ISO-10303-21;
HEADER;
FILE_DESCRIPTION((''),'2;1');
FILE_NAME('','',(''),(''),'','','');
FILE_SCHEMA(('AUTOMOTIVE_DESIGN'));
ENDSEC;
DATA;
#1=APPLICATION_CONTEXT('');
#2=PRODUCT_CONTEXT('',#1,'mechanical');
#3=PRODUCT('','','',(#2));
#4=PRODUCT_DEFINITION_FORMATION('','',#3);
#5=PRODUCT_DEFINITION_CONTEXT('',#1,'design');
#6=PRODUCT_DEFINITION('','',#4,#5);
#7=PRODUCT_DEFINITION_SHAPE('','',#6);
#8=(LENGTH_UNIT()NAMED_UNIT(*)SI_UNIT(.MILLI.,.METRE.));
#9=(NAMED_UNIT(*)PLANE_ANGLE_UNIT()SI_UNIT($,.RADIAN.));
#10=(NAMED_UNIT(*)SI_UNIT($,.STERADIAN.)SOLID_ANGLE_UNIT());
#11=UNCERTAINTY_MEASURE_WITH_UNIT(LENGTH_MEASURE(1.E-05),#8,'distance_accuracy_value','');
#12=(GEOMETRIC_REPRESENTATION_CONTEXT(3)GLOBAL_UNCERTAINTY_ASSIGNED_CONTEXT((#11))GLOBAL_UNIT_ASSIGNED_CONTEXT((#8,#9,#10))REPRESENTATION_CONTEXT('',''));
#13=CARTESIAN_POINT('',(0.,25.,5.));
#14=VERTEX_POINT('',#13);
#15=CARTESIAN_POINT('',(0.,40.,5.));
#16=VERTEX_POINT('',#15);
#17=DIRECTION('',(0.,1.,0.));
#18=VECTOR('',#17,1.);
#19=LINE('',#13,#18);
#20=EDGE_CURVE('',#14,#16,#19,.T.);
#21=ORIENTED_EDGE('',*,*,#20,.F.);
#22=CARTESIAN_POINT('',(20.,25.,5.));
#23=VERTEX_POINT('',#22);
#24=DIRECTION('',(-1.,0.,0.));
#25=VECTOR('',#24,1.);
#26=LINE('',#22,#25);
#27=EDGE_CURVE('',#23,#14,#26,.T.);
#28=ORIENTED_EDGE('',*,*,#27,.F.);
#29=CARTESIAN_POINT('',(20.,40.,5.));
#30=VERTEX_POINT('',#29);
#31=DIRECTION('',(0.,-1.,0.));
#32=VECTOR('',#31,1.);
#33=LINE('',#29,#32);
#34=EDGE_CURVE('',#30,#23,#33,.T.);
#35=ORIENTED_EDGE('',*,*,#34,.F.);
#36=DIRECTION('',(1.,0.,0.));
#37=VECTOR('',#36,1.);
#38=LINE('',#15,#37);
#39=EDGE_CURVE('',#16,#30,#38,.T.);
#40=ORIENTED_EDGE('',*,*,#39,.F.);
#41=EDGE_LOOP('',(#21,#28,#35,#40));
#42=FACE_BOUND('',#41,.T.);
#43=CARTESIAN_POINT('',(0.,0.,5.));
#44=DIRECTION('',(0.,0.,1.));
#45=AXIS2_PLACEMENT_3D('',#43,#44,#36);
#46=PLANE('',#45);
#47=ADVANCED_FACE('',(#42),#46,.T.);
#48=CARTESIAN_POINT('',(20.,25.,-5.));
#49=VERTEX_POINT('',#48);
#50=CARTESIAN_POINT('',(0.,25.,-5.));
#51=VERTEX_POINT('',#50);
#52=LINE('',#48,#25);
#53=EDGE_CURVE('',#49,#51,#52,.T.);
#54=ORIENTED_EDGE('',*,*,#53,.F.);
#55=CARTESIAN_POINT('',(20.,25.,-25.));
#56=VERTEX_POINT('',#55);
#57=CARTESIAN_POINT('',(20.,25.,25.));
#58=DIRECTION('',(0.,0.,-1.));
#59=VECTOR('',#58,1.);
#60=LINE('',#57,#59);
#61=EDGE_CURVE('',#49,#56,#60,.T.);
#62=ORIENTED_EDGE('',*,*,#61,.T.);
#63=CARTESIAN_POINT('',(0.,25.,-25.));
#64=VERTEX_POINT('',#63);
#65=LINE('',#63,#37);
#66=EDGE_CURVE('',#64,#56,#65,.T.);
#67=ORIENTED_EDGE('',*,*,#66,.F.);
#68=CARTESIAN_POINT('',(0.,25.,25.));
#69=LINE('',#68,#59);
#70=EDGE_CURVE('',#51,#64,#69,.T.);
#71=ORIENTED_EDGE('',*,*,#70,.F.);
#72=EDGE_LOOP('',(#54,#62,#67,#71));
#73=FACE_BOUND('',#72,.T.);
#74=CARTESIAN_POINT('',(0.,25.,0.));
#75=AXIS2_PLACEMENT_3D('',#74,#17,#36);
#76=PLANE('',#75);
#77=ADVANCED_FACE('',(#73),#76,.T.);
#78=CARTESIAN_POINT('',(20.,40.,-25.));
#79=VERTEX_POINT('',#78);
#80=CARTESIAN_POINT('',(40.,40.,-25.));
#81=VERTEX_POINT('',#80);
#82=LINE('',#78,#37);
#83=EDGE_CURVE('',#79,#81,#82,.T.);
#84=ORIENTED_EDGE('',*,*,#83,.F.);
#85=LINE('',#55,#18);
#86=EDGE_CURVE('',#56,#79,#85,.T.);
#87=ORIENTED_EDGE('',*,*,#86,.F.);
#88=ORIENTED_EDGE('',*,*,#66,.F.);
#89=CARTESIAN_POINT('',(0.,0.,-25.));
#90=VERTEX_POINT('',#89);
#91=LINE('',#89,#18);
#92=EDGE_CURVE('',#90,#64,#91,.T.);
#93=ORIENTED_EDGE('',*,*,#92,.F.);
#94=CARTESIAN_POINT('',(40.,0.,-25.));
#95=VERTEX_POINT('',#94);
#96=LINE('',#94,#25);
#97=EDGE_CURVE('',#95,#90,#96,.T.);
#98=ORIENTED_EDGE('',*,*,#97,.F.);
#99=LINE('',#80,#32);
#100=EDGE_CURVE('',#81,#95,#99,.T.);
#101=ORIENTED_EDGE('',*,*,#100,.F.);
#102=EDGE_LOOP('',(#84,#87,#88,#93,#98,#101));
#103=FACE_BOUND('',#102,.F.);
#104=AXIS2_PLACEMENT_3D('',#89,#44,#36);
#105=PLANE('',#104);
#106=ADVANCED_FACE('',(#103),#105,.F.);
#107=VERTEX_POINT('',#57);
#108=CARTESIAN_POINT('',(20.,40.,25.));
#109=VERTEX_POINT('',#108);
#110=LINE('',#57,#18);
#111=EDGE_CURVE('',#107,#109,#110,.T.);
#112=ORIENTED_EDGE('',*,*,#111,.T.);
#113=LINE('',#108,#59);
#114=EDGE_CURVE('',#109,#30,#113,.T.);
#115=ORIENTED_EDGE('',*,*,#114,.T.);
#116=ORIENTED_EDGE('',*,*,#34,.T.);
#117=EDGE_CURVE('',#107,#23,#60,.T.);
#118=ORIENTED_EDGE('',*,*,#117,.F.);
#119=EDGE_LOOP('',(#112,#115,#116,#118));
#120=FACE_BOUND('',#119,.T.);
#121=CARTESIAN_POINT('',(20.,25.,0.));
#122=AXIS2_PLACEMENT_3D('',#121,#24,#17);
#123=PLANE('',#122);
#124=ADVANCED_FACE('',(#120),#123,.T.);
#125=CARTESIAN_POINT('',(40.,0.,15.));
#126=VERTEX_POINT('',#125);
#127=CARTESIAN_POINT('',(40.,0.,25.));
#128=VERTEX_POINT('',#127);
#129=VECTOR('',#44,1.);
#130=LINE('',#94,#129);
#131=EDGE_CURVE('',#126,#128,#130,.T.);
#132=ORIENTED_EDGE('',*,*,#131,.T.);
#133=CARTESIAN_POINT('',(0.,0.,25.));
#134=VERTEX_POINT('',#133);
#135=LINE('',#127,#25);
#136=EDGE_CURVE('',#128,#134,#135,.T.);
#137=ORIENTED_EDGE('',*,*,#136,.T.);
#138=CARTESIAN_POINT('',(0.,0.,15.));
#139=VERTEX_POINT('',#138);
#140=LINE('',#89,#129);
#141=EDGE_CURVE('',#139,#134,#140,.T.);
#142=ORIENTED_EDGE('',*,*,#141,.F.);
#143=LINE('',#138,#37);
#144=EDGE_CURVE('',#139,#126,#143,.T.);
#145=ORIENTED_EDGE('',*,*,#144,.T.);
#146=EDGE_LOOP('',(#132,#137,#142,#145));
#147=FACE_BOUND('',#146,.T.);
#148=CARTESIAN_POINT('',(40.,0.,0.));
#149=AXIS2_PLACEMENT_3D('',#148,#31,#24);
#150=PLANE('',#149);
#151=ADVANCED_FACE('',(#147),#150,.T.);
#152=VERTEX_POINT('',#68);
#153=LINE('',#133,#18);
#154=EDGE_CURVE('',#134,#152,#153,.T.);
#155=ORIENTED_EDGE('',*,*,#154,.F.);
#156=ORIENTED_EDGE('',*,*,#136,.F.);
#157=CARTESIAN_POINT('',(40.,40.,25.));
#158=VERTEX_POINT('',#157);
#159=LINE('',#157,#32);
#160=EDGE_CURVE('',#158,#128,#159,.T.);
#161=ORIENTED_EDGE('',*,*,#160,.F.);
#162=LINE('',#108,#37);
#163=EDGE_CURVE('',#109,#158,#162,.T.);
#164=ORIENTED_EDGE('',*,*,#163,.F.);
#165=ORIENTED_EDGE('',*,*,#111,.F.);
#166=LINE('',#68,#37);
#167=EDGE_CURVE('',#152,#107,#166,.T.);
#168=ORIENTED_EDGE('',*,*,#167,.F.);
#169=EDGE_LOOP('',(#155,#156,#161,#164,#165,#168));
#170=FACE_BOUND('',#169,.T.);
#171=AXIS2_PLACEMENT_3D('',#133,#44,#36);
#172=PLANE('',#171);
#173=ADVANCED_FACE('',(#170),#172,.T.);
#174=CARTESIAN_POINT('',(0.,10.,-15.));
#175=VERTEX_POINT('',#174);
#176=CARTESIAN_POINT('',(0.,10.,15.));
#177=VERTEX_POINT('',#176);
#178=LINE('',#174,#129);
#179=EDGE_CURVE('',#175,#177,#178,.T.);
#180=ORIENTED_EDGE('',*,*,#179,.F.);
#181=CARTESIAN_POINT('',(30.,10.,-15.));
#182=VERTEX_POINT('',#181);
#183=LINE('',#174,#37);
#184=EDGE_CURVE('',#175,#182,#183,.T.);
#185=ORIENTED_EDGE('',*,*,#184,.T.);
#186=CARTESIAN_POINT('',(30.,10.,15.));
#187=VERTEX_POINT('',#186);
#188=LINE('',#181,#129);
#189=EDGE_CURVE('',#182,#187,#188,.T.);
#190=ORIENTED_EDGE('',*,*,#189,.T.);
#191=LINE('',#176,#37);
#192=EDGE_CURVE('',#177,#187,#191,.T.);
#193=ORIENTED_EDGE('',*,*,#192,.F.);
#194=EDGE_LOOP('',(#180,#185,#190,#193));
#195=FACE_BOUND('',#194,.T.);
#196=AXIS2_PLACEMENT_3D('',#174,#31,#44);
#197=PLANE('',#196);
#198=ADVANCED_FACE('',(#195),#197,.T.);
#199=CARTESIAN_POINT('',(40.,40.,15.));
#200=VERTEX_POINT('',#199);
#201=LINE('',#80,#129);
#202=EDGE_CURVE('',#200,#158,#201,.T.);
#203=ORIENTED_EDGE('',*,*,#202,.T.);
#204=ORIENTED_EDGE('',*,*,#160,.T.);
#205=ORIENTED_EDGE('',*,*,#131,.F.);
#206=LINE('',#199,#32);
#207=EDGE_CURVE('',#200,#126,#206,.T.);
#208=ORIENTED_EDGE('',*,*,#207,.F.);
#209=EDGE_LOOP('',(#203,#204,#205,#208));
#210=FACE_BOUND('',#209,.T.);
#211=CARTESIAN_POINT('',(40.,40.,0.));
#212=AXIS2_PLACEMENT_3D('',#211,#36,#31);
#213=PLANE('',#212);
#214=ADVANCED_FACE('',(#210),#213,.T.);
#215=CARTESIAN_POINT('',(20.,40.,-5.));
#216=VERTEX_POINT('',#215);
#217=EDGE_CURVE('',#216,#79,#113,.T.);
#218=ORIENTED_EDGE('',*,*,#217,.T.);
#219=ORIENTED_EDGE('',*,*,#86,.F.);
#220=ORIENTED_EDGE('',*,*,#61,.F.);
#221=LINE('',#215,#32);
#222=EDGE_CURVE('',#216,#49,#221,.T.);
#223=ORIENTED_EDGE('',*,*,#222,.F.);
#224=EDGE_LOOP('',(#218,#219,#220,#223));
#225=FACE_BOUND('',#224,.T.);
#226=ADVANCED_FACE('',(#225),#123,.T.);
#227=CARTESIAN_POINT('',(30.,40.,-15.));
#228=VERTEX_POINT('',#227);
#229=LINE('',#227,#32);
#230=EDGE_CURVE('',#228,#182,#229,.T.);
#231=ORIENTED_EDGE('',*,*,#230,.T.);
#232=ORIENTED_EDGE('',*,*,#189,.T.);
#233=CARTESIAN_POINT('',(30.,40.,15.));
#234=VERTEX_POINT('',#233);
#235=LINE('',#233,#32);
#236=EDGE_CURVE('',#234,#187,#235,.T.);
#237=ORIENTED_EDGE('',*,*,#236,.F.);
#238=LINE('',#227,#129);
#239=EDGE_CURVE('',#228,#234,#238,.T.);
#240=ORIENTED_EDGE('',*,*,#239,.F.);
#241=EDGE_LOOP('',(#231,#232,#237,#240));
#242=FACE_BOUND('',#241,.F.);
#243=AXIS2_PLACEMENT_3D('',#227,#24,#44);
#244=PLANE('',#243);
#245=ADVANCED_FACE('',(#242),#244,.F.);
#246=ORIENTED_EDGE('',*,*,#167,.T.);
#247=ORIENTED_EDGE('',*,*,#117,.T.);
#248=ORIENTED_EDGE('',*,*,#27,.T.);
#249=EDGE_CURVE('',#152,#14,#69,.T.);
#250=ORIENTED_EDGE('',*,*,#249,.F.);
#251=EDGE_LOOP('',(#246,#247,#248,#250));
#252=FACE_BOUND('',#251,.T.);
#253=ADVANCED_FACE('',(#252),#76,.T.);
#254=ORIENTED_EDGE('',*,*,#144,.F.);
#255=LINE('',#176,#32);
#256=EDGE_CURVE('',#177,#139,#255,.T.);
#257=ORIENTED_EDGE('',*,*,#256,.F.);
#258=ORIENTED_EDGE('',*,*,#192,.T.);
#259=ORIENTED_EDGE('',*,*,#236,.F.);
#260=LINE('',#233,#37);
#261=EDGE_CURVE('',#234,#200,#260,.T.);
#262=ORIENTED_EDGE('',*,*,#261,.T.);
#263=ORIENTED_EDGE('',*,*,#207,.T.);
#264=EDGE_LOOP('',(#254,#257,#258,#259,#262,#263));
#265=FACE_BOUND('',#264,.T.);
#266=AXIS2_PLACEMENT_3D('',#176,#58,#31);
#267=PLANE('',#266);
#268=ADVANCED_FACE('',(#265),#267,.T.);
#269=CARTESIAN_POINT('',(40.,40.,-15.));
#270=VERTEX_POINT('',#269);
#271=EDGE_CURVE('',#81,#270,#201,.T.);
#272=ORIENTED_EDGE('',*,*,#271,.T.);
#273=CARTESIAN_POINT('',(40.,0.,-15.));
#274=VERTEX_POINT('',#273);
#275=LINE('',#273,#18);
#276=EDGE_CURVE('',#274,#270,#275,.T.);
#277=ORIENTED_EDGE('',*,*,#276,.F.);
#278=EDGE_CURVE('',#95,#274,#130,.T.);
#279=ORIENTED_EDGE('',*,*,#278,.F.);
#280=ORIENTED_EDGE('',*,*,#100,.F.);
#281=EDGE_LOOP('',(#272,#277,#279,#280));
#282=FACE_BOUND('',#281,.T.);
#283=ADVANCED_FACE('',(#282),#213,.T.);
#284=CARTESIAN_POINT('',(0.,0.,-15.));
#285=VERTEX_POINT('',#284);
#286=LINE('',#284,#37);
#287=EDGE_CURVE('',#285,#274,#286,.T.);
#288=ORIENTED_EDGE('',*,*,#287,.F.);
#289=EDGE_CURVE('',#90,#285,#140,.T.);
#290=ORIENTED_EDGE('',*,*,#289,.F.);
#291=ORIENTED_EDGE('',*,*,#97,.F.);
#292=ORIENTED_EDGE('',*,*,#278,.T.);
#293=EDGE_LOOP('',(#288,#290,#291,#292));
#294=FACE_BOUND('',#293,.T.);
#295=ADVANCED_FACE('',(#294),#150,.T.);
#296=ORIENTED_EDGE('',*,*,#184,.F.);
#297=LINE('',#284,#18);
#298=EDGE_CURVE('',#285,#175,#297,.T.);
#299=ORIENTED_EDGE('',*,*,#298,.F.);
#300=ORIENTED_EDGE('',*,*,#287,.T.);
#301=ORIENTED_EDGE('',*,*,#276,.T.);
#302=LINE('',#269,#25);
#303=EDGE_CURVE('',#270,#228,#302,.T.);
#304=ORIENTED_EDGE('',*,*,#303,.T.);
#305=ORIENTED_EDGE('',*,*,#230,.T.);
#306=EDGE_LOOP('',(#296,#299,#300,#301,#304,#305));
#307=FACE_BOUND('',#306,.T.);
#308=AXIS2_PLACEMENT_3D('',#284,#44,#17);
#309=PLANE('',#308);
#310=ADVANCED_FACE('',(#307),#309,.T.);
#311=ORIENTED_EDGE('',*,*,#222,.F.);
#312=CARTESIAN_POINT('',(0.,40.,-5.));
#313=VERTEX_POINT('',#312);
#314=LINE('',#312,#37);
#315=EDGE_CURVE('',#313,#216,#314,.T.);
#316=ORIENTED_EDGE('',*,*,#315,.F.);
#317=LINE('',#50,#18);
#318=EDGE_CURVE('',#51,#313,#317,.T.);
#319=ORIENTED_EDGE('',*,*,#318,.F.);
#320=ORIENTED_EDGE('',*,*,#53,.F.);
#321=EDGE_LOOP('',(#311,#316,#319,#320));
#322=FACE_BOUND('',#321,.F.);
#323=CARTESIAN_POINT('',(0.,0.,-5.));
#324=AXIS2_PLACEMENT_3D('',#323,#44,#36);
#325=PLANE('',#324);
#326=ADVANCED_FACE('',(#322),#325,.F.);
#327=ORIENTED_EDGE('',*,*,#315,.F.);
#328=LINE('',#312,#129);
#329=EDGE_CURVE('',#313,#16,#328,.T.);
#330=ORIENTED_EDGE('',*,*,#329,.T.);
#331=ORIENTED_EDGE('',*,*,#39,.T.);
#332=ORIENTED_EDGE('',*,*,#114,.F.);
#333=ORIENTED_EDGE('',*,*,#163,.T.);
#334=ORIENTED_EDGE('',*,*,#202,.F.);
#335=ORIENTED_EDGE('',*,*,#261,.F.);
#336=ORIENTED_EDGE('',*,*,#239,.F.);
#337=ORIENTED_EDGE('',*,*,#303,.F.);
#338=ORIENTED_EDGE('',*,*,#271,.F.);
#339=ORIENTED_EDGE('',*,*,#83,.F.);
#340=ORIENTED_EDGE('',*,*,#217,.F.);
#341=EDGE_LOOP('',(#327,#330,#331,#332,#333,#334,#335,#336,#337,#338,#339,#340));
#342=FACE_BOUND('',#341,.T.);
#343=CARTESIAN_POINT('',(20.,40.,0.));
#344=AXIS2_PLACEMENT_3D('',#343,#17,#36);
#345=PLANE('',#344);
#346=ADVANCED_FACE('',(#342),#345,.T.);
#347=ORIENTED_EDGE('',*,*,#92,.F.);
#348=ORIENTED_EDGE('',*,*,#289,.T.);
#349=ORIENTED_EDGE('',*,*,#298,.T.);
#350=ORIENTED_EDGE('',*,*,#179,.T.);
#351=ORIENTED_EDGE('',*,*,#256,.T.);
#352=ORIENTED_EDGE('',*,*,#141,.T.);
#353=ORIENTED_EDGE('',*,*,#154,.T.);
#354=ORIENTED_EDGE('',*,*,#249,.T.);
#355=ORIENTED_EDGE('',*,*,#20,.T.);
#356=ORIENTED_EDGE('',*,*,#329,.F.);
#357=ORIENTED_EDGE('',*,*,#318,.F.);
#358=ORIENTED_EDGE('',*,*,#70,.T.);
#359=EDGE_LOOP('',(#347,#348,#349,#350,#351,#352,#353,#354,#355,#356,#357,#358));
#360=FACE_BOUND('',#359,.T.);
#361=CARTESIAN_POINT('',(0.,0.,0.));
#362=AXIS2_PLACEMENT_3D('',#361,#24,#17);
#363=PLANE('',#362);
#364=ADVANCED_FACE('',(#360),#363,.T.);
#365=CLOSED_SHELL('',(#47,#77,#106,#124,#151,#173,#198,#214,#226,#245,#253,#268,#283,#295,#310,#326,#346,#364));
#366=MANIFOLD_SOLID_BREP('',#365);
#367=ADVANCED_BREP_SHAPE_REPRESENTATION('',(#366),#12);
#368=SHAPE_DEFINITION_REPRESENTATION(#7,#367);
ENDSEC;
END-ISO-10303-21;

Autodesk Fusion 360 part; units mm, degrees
sketch "Sketch1" plane through (0, 0, 0) normal (0, 0, 1) x (1, 0, 0)
  line L0 (0, 0) -> (0, 25)
  line L1 (0, 25) -> (20, 25)
  line L2 (20, 25) -> (20, 40)
  line L3 (20, 40) -> (40, 40)
  line L4 (40, 40) -> (40, 0)
  line L5 (40, 0) -> (0, 0)
  dimension "d1" = 40
  dimension "d2" = 25
  dimension "d3" = 20
  dimension "d4" = 15
extrude "Extrude1" add sketch "Sketch1" along normal mid plane 50
sketch "Sketch2" plane through (0, 0, 0) normal (0, 0, 1) x (1, 0, 0)
  line L0 (0, 40) -> (20, 40)
  line L1 (20, 40) -> (20, 25)
  line L2 (20, 25) -> (0, 25)
  line L3 (0, 25) -> (0, 40)
  point P0 (20, 25)
  point P1 (0, 25)
  dimension "d7" = 20
  dimension "d8" = 15
extrude "Extrude2" add sketch "Sketch2" along normal mid plane 10
sketch "Sketch3" plane through (0, 40, 0) normal (0, 1, 0) x (-1, 0, 0)
  line L0 (-20, -25) -> (-20, -5)
  line L1 (-20, -5) -> (0, -5)
  line L2 (0, -5) -> (0, 5)
  line L3 (0, 5) -> (-20, 5)
  line L4 (-20, 5) -> (-20, 25)
  line L5 (-20, 25) -> (-40, 25)
  line L6 (-40, 25) -> (-40, -25)
  line L7 (-40, -25) -> (-20, -25)
  line L8 (-40, -15) -> (-30, -15)
  line L9 (-30, -15) -> (-30, 15)
  line L10 (-30, 15) -> (-40, 15)
  line L11 (-40, 15) -> (-40, -15)
  dimension "d11" = 10
  dimension "d12" = 10
  dimension "d13" = 30
  dimension "d14" = 10
extrude "Extrude3" cut sketch "Sketch3" against normal blind 85 contours L6 L8 L9 L10 L11
sketch "Sketch4" plane through (0, 0, 0) normal (1, 0, 0) x (0, 0, -1)
  line L0 (15, 0) -> (15, 10)
  line L1 (15, 10) -> (-15, 10)
  line L2 (-15, 10) -> (-15, 0)
  line L3 (25, 0) -> (-25, 0)
  dimension "d17" = 10
  dimension "d18" = 10
  dimension "d19" = 10
  dimension "d20" = 30
extrude "Extrude4" cut sketch "Sketch4" along normal blind 88
